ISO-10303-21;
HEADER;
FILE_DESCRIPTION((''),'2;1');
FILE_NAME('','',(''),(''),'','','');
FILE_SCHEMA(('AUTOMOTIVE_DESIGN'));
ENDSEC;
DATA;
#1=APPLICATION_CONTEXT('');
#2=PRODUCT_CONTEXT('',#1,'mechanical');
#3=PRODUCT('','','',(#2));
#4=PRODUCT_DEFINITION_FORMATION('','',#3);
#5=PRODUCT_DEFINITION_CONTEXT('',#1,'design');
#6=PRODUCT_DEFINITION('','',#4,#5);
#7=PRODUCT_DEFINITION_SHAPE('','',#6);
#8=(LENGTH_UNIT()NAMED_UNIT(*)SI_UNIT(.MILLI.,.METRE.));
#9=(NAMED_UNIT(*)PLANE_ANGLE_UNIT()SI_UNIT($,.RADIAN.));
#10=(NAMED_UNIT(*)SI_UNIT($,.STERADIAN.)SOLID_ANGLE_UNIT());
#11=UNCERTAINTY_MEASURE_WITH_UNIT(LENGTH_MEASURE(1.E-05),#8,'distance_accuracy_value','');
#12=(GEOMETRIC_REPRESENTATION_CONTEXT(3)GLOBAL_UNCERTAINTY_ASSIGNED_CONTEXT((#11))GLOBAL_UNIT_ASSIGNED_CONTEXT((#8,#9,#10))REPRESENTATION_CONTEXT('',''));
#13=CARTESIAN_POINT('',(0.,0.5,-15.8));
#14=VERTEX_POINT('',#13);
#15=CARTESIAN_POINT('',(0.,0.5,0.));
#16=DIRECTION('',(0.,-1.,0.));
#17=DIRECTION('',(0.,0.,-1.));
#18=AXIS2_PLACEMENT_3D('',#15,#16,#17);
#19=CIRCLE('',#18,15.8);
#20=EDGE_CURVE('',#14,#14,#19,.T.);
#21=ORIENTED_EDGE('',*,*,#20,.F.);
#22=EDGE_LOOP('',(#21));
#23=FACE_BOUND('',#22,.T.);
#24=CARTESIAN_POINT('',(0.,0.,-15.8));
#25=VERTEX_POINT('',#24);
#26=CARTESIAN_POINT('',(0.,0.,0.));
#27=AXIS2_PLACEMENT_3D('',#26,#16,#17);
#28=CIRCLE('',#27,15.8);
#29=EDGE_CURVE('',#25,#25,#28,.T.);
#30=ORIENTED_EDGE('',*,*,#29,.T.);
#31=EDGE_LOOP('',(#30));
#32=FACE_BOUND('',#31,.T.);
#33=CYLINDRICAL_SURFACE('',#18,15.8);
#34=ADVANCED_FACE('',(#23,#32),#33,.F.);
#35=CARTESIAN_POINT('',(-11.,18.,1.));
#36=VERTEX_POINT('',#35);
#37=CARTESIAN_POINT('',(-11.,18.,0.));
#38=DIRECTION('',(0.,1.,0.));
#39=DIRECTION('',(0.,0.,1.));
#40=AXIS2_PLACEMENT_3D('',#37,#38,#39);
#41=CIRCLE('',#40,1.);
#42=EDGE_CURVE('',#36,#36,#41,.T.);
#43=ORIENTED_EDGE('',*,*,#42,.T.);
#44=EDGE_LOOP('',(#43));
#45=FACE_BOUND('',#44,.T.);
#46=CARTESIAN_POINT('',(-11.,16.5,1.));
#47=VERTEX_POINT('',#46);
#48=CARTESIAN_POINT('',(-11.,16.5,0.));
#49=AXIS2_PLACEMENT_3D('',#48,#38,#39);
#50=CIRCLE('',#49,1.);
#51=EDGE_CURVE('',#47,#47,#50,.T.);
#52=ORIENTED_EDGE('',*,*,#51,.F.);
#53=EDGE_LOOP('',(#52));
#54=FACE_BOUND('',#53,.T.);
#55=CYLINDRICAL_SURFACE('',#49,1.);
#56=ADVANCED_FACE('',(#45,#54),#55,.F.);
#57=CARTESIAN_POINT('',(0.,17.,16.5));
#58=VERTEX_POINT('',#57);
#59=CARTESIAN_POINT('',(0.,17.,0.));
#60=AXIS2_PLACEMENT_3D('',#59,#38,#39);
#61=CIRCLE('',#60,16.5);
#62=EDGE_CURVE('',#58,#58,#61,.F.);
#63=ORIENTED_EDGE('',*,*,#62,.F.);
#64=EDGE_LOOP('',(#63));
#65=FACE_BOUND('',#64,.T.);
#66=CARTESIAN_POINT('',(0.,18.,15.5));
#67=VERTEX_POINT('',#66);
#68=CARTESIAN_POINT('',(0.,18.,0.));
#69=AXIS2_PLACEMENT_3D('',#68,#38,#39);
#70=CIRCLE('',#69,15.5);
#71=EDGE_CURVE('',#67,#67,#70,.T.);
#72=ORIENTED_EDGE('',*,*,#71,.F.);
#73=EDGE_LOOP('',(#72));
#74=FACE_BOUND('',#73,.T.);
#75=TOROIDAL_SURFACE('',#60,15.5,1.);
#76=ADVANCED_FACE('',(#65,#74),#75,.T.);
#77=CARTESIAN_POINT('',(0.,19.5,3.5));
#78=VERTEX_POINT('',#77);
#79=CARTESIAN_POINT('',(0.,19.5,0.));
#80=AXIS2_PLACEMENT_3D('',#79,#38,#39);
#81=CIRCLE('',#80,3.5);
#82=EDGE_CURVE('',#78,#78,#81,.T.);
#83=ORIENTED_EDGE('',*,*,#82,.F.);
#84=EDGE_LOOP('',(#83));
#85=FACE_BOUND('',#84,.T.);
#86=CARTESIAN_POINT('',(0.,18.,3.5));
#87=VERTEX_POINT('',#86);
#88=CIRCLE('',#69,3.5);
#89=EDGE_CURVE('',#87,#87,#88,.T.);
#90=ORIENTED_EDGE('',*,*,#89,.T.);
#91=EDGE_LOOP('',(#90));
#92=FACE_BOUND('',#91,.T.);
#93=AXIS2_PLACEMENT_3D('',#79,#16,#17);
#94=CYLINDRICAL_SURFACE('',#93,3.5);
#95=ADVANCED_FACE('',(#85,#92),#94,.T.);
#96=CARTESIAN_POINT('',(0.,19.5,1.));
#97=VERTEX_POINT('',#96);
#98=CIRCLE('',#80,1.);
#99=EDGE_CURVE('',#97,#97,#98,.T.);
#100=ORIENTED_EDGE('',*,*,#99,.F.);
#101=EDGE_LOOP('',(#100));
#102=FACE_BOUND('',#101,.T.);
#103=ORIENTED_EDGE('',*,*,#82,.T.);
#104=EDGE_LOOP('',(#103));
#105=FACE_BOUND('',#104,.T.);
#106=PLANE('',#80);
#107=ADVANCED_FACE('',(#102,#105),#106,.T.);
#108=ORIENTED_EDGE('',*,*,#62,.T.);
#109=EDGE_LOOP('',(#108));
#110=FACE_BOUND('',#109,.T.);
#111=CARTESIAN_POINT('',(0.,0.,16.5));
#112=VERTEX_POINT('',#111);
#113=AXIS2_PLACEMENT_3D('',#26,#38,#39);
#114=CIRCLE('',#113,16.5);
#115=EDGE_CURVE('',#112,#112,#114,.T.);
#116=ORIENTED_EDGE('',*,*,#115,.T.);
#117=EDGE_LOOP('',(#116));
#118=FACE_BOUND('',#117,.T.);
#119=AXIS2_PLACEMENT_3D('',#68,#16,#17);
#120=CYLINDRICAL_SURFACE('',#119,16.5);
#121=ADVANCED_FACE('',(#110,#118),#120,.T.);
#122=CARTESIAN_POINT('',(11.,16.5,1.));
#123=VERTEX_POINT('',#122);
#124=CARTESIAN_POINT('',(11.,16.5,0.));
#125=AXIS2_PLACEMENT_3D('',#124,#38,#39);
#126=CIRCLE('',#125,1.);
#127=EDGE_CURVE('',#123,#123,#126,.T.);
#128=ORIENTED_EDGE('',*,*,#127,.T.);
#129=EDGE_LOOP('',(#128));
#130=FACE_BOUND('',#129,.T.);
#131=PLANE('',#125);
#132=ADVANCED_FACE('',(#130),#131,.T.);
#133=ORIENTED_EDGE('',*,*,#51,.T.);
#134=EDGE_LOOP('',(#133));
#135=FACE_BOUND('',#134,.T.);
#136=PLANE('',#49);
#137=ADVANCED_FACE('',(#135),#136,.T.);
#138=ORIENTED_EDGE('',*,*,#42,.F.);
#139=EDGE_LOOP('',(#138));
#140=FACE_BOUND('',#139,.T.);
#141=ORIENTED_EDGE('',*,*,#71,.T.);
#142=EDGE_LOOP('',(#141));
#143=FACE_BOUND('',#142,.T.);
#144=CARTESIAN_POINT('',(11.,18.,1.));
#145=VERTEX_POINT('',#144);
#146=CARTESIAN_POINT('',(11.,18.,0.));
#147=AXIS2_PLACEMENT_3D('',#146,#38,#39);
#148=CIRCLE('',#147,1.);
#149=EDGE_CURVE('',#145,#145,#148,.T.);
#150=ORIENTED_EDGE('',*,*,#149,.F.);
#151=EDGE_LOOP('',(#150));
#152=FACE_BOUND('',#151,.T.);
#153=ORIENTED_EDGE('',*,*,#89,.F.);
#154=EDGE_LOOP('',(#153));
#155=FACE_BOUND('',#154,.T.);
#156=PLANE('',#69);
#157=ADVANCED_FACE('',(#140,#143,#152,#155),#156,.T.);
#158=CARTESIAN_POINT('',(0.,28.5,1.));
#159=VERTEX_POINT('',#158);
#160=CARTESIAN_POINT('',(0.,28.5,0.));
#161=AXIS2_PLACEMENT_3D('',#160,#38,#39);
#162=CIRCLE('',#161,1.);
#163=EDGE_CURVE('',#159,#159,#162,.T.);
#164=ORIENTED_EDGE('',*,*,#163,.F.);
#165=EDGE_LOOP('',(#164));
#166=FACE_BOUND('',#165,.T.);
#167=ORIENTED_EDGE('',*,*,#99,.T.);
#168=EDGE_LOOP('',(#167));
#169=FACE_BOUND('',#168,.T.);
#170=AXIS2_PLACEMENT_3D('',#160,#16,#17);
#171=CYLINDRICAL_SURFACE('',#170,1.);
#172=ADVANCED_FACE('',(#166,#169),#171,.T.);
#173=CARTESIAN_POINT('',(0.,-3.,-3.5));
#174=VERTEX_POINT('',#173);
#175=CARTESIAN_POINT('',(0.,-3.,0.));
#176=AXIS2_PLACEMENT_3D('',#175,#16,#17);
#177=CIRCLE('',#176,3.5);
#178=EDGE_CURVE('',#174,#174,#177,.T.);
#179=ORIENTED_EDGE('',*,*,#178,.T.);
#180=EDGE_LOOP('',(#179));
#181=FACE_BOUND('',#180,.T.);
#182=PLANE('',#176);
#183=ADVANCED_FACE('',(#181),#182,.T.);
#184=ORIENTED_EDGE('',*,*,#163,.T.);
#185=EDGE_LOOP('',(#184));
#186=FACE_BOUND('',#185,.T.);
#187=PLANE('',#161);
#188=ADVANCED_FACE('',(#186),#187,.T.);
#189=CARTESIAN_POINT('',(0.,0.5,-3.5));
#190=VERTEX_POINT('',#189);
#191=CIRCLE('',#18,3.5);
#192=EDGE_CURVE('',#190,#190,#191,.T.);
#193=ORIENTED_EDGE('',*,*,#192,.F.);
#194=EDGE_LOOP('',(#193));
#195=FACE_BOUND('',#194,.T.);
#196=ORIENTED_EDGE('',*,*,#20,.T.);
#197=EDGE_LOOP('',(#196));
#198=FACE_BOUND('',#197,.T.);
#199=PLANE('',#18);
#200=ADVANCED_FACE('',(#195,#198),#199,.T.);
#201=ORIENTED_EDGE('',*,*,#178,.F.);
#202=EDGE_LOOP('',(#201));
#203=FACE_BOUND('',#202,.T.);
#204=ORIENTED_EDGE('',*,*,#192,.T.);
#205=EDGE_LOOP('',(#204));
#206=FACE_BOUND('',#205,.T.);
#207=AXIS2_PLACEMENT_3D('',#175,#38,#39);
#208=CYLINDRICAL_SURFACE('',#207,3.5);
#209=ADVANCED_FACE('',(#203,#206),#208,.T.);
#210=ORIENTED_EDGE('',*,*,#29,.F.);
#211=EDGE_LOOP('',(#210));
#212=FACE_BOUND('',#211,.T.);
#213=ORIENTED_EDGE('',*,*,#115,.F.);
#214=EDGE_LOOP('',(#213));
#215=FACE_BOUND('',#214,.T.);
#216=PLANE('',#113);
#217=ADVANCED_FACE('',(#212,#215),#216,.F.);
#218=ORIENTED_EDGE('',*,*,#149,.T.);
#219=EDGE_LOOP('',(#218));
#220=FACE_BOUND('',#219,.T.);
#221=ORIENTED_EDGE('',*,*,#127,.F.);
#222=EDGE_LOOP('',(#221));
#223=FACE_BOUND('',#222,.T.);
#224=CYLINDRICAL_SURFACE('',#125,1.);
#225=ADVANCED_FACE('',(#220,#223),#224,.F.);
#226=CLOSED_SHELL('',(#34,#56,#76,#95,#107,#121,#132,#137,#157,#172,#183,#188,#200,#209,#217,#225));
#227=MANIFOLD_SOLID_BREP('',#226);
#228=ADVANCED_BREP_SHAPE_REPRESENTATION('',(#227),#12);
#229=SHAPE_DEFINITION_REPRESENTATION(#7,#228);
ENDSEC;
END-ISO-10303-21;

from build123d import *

# Parameters (mm, degrees)
SKETCH1_R           = 16.5
BOSS_EXTRUDE1_DEPTH = 18
SKETCH2_R           = 3.5
BOSS_EXTRUDE2_DEPTH = 1.5
SKETCH3_R           = 1
BOSS_EXTRUDE3_DEPTH = 9
FILLET1_R           = 1
SKETCH4_R           = 1
CUT_EXTRUDE1_DEPTH  = 1.5
SKETCH5_R           = 3.5
BOSS_EXTRUDE4_DEPTH = 3
SKETCH6_R           = 15.8
SKETCH6_R_2         = 3.5
CUT_EXTRUDE2_DEPTH  = 0.5


with BuildPart() as part:
    # Sketch1 → Boss-Extrude1 (new body)
    with BuildSketch(Plane(origin=(0, 0, 0), x_dir=(1, 0, 0), z_dir=(0, 1, 0))):
        Circle(SKETCH1_R)
    extrude(amount=BOSS_EXTRUDE1_DEPTH)

    # Sketch2 → Boss-Extrude2 (add)
    with BuildSketch(Plane(origin=(0, 18, 0), x_dir=(1, 0, 0), z_dir=(0, 1, 0))):
        Circle(SKETCH2_R)
    extrude(amount=BOSS_EXTRUDE2_DEPTH)

    # Sketch3 → Boss-Extrude3 (add)
    with BuildSketch(Plane(origin=(0, 19.5, 0), x_dir=(1, 0, 0), z_dir=(0, 1, 0))):
        Circle(SKETCH3_R)
    extrude(amount=BOSS_EXTRUDE3_DEPTH)

    # Fillet1
    fillet1_edges = [part.edges().sort_by_distance(p)[0] for p in [
        (-16.5, 18, 0),
    ]]
    fillet(fillet1_edges, radius=FILLET1_R)

    # Sketch4 → Cut-Extrude1 (cut)
    with BuildSketch(Plane(origin=(0, 18, 0), x_dir=(1, 0, 0), z_dir=(0, 1, 0))):
        with Locations((11, 0)):
            Circle(SKETCH4_R)
        with Locations((-11, 0)):
            Circle(SKETCH4_R)
    extrude(amount=-CUT_EXTRUDE1_DEPTH, mode=Mode.SUBTRACT)

    # Sketch5 → Boss-Extrude4 (add)
    with BuildSketch(Plane.XZ):
        Circle(SKETCH5_R)
    extrude(amount=BOSS_EXTRUDE4_DEPTH)

    # Sketch6 → Cut-Extrude2 (cut)
    with BuildSketch(Plane.XZ):
        Circle(SKETCH6_R)
        Circle(SKETCH6_R_2, mode=Mode.SUBTRACT)
    extrude(amount=-CUT_EXTRUDE2_DEPTH, mode=Mode.SUBTRACT)


solid = part.part
